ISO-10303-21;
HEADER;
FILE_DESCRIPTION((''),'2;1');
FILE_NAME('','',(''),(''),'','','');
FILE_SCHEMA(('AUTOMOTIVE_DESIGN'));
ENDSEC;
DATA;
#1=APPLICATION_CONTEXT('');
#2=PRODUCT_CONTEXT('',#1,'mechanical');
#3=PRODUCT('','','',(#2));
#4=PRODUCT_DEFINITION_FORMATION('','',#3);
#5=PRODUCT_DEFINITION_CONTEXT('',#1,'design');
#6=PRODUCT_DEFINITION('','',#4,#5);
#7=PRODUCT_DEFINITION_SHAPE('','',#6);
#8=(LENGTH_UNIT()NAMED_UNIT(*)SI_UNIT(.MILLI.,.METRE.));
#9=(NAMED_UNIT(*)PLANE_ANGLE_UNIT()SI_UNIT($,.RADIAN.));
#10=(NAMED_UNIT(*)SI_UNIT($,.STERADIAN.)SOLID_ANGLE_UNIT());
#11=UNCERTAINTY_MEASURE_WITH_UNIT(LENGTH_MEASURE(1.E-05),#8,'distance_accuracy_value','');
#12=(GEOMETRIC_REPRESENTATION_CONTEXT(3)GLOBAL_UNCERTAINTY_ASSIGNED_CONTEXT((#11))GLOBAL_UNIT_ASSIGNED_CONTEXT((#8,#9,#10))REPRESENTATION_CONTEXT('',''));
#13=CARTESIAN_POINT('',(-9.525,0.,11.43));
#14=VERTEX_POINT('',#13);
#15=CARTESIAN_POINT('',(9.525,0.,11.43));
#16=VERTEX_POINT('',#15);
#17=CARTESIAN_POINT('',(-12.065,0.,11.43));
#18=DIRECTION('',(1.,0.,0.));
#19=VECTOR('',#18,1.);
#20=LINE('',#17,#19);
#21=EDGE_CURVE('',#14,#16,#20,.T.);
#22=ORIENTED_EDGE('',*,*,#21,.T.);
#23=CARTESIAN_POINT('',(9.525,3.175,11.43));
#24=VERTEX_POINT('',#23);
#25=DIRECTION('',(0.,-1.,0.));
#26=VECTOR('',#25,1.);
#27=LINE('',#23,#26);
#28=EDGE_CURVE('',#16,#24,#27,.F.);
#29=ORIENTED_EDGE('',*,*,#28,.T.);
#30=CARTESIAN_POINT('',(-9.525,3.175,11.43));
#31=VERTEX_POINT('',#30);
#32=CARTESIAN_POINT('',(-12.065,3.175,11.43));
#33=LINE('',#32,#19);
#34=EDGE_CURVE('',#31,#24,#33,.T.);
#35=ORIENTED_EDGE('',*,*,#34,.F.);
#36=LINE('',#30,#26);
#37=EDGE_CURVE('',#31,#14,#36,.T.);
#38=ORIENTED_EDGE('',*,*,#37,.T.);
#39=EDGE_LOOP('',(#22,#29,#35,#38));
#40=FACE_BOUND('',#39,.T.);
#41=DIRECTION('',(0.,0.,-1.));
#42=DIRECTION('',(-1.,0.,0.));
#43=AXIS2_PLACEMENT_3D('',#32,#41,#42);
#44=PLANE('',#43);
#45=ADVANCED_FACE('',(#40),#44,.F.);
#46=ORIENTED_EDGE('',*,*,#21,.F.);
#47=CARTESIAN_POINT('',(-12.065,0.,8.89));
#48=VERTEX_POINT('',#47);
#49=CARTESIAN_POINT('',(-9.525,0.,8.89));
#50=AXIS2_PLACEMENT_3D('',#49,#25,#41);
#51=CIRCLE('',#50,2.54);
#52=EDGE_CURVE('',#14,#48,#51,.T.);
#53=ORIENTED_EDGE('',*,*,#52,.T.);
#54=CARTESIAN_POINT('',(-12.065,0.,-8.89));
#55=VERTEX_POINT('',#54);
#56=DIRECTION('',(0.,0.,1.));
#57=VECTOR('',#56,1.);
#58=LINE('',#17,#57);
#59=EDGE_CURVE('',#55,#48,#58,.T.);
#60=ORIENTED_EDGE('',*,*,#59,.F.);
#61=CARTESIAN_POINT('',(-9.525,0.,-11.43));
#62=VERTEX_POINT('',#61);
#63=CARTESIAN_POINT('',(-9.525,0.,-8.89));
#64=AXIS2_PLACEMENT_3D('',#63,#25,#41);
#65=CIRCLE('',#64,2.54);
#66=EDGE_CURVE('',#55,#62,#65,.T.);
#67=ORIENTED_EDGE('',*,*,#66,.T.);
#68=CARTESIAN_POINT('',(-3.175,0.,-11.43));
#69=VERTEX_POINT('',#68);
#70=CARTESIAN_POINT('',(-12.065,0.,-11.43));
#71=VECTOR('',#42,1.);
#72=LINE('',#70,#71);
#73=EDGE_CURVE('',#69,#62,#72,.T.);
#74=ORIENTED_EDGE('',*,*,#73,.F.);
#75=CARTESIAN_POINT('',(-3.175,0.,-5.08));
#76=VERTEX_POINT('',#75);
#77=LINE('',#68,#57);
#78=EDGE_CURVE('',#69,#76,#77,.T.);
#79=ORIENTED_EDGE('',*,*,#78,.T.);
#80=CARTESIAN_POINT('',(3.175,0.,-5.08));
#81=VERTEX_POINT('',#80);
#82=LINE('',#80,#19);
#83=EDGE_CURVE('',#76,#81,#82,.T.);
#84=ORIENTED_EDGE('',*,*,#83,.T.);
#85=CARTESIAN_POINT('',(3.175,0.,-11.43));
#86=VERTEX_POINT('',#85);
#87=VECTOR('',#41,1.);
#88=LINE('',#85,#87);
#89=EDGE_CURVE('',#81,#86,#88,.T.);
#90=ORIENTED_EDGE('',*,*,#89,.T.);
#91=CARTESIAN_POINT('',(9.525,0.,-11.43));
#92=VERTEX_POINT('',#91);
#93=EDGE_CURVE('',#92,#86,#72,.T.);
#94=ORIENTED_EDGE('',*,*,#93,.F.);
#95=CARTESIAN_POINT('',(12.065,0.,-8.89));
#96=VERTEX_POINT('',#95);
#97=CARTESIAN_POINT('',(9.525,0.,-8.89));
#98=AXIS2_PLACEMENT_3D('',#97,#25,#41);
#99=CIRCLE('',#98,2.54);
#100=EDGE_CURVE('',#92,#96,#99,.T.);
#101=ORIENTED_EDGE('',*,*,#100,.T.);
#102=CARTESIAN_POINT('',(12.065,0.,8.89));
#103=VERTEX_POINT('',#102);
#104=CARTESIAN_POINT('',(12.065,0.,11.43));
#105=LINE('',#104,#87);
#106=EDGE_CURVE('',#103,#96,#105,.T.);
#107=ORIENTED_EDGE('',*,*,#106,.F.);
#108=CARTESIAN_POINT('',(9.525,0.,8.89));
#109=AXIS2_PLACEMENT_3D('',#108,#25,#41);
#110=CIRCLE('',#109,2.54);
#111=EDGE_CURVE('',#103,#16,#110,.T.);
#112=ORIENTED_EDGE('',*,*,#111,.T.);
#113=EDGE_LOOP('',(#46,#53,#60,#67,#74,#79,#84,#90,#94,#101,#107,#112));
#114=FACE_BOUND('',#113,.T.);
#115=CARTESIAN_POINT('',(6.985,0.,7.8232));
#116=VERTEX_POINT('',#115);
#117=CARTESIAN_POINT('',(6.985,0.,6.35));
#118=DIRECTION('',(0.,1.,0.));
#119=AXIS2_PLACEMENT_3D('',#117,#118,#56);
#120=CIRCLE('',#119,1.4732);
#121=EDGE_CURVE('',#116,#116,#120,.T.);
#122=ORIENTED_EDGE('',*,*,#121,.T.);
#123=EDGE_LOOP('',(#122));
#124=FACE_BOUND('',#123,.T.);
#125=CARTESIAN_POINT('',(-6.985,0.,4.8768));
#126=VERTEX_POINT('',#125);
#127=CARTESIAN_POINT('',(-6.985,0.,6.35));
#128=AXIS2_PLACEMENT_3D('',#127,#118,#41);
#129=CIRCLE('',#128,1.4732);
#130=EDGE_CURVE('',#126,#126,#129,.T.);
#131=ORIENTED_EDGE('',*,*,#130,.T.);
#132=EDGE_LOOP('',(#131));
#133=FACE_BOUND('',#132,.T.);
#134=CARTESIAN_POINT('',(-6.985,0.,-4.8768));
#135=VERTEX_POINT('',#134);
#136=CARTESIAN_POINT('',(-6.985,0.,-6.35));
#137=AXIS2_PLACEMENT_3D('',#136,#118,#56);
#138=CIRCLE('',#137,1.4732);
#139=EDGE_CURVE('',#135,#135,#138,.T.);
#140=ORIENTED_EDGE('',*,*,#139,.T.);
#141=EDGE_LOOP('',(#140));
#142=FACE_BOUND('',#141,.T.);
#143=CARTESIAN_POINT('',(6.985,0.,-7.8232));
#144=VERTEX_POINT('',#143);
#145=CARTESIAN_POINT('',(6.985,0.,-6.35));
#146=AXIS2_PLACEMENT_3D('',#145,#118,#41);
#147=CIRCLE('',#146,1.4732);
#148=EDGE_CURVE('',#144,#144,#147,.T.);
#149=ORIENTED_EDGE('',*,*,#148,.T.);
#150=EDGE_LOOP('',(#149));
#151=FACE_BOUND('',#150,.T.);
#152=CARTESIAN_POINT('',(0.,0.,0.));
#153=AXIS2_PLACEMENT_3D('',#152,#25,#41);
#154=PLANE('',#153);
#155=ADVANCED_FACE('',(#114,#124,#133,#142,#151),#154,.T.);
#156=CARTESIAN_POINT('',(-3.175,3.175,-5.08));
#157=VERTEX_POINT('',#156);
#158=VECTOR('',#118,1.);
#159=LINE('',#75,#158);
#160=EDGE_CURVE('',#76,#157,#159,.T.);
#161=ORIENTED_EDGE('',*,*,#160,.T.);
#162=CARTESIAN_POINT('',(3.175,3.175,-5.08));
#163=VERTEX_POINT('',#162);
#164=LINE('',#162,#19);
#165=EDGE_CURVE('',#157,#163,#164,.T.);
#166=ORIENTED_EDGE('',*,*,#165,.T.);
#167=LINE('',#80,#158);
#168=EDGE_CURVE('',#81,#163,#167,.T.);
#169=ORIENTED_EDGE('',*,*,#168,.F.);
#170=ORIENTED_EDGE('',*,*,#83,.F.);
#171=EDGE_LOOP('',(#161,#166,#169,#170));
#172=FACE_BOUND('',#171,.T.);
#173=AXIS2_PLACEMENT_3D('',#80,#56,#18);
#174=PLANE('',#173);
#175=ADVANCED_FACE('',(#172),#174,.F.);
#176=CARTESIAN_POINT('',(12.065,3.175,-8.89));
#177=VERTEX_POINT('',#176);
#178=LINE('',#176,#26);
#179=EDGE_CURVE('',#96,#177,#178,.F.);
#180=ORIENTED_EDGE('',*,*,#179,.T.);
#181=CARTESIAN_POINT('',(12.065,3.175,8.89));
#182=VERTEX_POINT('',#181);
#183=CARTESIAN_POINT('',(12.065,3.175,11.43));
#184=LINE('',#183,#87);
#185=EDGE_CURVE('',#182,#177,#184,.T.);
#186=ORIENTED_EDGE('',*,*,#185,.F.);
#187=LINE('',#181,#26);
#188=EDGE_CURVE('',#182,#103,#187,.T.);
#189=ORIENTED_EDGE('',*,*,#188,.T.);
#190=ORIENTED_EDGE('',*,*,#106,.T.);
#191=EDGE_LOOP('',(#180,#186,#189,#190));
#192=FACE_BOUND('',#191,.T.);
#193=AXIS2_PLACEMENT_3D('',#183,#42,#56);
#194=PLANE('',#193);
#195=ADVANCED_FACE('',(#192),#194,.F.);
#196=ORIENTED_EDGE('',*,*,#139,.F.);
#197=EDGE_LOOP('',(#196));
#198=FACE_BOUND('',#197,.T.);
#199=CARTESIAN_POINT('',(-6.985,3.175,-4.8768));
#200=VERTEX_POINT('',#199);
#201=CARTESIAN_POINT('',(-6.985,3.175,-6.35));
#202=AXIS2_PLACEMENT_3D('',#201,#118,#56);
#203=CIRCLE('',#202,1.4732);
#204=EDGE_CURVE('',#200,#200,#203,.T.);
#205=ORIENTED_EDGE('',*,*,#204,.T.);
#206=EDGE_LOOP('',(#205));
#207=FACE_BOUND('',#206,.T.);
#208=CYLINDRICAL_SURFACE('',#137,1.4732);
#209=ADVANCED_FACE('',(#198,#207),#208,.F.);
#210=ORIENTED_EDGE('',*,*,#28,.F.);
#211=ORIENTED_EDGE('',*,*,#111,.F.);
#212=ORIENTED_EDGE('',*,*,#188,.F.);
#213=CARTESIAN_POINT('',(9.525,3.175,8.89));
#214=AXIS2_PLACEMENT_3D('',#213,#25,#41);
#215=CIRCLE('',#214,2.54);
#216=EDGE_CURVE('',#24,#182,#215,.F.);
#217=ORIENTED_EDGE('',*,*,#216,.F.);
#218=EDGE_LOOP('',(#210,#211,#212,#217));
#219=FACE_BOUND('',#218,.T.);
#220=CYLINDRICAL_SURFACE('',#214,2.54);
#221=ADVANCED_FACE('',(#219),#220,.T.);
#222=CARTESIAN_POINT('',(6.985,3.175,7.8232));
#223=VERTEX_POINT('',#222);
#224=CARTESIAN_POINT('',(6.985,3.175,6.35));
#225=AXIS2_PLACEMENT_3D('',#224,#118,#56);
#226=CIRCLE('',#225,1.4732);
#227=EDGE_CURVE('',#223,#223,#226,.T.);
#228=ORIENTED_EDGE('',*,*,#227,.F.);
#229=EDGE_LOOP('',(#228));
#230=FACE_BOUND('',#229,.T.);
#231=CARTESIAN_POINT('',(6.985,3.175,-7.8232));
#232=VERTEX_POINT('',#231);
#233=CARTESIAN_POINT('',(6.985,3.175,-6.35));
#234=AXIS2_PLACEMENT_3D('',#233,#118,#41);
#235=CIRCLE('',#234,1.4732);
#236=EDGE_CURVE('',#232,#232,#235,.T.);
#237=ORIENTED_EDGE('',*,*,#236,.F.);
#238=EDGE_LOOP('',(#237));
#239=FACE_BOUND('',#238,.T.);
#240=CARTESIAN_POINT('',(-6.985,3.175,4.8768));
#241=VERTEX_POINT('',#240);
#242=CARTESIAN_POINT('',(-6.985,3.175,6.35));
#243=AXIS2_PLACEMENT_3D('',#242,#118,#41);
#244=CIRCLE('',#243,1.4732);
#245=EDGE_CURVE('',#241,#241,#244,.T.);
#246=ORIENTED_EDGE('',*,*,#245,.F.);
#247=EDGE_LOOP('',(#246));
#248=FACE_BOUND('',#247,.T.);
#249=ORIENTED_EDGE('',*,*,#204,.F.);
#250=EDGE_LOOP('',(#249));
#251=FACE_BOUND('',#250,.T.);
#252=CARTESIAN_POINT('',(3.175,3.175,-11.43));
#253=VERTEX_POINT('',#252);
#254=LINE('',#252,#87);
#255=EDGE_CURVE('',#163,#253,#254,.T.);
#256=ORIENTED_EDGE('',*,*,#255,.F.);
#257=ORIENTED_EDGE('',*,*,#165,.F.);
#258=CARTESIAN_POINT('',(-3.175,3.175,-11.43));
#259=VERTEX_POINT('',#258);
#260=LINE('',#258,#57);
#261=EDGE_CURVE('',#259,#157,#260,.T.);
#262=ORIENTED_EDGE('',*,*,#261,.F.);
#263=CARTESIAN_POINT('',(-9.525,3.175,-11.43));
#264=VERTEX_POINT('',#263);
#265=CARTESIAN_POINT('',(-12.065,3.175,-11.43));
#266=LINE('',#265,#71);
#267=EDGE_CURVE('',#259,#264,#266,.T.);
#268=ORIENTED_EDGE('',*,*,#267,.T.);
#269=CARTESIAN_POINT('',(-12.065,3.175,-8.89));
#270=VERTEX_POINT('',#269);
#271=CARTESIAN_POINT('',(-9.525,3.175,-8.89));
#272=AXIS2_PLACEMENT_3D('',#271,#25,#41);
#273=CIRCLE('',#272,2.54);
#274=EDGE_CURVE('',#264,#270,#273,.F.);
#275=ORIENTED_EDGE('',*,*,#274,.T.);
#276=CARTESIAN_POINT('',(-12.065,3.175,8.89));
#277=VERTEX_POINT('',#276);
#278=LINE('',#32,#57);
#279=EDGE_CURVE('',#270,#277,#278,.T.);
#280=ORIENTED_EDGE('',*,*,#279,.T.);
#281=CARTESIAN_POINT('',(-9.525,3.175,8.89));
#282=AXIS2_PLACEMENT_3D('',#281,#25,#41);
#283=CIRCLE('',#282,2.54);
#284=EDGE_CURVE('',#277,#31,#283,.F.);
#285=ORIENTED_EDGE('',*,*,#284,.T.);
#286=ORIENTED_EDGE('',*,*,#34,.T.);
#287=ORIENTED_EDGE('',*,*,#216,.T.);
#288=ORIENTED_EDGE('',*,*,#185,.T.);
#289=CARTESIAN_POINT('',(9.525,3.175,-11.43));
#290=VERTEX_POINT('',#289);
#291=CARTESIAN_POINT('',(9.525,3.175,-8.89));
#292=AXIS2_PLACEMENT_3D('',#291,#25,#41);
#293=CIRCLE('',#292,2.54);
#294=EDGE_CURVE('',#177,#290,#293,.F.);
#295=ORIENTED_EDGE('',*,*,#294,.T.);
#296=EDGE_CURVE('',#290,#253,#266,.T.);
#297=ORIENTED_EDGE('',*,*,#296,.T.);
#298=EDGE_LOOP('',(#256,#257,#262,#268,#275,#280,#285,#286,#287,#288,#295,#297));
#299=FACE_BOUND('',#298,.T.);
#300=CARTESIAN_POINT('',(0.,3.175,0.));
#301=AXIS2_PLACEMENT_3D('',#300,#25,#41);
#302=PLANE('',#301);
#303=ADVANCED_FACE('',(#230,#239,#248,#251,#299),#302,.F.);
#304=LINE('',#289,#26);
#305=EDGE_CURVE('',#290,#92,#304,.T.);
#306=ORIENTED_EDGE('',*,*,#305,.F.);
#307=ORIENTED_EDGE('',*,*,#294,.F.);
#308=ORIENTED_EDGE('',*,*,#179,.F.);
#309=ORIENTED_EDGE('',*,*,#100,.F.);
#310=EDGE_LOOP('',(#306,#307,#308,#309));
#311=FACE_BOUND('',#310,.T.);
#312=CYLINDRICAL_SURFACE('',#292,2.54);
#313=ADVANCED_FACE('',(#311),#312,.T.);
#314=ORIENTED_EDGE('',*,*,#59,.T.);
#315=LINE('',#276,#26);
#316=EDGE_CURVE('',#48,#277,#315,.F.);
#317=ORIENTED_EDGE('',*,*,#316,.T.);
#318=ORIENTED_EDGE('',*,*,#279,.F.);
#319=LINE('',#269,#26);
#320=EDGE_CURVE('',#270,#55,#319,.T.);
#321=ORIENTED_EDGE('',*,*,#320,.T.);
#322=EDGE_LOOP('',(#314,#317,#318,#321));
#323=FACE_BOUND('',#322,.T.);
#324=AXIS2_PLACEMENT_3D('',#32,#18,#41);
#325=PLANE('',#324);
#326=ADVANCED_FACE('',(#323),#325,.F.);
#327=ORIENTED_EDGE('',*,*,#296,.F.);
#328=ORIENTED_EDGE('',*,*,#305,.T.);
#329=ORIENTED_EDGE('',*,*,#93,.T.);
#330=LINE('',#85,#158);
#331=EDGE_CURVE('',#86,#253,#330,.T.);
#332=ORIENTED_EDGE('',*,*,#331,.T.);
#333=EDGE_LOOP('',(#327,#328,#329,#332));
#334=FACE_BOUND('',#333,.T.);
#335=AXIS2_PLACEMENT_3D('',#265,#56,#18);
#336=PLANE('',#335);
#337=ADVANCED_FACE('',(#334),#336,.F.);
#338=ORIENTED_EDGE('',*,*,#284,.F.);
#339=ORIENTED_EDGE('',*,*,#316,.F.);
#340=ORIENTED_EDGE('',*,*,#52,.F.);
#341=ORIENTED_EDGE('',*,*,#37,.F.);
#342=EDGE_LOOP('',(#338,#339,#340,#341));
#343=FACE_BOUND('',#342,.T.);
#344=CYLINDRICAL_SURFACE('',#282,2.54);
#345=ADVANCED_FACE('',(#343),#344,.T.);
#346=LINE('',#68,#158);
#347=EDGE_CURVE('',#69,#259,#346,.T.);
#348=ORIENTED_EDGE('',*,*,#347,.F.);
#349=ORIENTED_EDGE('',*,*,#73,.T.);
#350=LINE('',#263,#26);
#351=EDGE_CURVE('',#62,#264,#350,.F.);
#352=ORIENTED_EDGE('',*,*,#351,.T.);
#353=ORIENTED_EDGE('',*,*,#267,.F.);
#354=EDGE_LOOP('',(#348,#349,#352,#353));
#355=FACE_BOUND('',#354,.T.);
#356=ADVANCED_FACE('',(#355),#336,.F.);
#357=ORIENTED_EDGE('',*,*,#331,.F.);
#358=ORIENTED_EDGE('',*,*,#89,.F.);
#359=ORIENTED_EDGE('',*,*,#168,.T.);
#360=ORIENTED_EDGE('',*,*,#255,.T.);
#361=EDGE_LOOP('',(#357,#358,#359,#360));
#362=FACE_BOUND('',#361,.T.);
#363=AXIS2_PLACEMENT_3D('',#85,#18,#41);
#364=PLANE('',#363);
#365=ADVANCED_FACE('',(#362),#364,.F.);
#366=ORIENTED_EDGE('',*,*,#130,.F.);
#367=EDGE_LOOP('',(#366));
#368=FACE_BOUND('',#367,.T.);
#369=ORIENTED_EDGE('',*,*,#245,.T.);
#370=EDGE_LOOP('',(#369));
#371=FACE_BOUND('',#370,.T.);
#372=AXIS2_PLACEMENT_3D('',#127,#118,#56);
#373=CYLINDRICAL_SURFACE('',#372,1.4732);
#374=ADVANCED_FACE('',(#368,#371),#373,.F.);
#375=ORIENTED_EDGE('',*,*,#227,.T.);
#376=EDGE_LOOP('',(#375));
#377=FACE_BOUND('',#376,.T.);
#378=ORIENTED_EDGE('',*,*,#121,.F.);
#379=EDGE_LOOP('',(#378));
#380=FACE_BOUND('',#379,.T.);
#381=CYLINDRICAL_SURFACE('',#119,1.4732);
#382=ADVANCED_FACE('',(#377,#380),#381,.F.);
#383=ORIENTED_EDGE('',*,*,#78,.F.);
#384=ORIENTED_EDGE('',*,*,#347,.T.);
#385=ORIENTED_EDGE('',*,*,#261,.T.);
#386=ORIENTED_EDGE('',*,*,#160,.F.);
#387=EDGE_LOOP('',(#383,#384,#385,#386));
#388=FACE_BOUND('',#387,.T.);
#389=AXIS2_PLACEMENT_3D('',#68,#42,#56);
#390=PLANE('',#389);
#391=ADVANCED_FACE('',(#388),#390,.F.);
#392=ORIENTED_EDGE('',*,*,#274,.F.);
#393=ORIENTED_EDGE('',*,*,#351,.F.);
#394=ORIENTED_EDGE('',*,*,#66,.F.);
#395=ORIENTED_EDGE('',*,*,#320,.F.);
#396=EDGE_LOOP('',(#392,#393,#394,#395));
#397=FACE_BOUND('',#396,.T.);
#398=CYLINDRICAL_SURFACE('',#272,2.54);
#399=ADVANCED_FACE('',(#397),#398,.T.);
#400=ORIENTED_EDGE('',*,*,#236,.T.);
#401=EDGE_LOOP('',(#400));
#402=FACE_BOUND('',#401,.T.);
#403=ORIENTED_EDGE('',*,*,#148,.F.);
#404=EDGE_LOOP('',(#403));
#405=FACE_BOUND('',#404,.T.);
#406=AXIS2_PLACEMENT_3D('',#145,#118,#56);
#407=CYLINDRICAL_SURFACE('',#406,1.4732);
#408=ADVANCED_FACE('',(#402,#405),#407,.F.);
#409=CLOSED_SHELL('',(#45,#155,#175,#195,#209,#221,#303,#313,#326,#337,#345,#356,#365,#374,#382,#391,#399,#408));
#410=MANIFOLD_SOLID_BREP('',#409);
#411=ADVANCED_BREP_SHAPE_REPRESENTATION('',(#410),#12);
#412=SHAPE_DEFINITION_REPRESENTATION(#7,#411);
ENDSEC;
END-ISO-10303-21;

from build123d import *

# Parameters (mm, degrees)
SKETCH1_W           = 24.13
SKETCH1_H           = 22.86
BOSS_EXTRUDE1_DEPTH = 3.175
SKETCH2_R           = 1.4732
CUT_EXTRUDE1_DEPTH  = 4.175
FILLET1_R           = 2.54
SKETCH3_W           = 6.35
SKETCH3_H           = 6.35
CUT_EXTRUDE2_DEPTH  = 4.175


with BuildPart() as part:
    # Sketch1 → Boss-Extrude1 (new body)
    with BuildSketch(Plane(origin=(0, 0, 0), x_dir=(1, 0, 0), z_dir=(0, 1, 0))):
        Rectangle(SKETCH1_W, SKETCH1_H)
    extrude(amount=BOSS_EXTRUDE1_DEPTH)

    # Sketch2 → Cut-Extrude1 (cut, through all)
    with BuildSketch(Plane(origin=(0, 3.175, 0), x_dir=(1, 0, 0), z_dir=(0, 1, 0))):
        with Locations((-6.985, 6.35)):
            Circle(SKETCH2_R)
        with Locations((-6.985, -6.35)):
            Circle(SKETCH2_R)
        with Locations((6.985, -6.35)):
            Circle(SKETCH2_R)
        with Locations((6.985, 6.35)):
            Circle(SKETCH2_R)
    extrude(amount=-CUT_EXTRUDE1_DEPTH, mode=Mode.SUBTRACT)

    # Fillet1
    fillet1_edges = [part.edges().sort_by_distance(p)[0] for p in [
        (12.065, 1.5875, 11.43),
        (-12.065, 1.5875, 11.43),
        (-12.065, 1.5875, -11.43),
        (12.065, 1.5875, -11.43),
    ]]
    fillet(fillet1_edges, radius=FILLET1_R)

    # Sketch3 → Cut-Extrude2 (cut, through all)
    with BuildSketch(Plane(origin=(0, 3.175, 0), x_dir=(1, 0, 0), z_dir=(0, 1, 0))):
        with Locations((0, 8.255)):
            Rectangle(SKETCH3_W, SKETCH3_H)
    extrude(amount=-CUT_EXTRUDE2_DEPTH, mode=Mode.SUBTRACT)


solid = part.part
